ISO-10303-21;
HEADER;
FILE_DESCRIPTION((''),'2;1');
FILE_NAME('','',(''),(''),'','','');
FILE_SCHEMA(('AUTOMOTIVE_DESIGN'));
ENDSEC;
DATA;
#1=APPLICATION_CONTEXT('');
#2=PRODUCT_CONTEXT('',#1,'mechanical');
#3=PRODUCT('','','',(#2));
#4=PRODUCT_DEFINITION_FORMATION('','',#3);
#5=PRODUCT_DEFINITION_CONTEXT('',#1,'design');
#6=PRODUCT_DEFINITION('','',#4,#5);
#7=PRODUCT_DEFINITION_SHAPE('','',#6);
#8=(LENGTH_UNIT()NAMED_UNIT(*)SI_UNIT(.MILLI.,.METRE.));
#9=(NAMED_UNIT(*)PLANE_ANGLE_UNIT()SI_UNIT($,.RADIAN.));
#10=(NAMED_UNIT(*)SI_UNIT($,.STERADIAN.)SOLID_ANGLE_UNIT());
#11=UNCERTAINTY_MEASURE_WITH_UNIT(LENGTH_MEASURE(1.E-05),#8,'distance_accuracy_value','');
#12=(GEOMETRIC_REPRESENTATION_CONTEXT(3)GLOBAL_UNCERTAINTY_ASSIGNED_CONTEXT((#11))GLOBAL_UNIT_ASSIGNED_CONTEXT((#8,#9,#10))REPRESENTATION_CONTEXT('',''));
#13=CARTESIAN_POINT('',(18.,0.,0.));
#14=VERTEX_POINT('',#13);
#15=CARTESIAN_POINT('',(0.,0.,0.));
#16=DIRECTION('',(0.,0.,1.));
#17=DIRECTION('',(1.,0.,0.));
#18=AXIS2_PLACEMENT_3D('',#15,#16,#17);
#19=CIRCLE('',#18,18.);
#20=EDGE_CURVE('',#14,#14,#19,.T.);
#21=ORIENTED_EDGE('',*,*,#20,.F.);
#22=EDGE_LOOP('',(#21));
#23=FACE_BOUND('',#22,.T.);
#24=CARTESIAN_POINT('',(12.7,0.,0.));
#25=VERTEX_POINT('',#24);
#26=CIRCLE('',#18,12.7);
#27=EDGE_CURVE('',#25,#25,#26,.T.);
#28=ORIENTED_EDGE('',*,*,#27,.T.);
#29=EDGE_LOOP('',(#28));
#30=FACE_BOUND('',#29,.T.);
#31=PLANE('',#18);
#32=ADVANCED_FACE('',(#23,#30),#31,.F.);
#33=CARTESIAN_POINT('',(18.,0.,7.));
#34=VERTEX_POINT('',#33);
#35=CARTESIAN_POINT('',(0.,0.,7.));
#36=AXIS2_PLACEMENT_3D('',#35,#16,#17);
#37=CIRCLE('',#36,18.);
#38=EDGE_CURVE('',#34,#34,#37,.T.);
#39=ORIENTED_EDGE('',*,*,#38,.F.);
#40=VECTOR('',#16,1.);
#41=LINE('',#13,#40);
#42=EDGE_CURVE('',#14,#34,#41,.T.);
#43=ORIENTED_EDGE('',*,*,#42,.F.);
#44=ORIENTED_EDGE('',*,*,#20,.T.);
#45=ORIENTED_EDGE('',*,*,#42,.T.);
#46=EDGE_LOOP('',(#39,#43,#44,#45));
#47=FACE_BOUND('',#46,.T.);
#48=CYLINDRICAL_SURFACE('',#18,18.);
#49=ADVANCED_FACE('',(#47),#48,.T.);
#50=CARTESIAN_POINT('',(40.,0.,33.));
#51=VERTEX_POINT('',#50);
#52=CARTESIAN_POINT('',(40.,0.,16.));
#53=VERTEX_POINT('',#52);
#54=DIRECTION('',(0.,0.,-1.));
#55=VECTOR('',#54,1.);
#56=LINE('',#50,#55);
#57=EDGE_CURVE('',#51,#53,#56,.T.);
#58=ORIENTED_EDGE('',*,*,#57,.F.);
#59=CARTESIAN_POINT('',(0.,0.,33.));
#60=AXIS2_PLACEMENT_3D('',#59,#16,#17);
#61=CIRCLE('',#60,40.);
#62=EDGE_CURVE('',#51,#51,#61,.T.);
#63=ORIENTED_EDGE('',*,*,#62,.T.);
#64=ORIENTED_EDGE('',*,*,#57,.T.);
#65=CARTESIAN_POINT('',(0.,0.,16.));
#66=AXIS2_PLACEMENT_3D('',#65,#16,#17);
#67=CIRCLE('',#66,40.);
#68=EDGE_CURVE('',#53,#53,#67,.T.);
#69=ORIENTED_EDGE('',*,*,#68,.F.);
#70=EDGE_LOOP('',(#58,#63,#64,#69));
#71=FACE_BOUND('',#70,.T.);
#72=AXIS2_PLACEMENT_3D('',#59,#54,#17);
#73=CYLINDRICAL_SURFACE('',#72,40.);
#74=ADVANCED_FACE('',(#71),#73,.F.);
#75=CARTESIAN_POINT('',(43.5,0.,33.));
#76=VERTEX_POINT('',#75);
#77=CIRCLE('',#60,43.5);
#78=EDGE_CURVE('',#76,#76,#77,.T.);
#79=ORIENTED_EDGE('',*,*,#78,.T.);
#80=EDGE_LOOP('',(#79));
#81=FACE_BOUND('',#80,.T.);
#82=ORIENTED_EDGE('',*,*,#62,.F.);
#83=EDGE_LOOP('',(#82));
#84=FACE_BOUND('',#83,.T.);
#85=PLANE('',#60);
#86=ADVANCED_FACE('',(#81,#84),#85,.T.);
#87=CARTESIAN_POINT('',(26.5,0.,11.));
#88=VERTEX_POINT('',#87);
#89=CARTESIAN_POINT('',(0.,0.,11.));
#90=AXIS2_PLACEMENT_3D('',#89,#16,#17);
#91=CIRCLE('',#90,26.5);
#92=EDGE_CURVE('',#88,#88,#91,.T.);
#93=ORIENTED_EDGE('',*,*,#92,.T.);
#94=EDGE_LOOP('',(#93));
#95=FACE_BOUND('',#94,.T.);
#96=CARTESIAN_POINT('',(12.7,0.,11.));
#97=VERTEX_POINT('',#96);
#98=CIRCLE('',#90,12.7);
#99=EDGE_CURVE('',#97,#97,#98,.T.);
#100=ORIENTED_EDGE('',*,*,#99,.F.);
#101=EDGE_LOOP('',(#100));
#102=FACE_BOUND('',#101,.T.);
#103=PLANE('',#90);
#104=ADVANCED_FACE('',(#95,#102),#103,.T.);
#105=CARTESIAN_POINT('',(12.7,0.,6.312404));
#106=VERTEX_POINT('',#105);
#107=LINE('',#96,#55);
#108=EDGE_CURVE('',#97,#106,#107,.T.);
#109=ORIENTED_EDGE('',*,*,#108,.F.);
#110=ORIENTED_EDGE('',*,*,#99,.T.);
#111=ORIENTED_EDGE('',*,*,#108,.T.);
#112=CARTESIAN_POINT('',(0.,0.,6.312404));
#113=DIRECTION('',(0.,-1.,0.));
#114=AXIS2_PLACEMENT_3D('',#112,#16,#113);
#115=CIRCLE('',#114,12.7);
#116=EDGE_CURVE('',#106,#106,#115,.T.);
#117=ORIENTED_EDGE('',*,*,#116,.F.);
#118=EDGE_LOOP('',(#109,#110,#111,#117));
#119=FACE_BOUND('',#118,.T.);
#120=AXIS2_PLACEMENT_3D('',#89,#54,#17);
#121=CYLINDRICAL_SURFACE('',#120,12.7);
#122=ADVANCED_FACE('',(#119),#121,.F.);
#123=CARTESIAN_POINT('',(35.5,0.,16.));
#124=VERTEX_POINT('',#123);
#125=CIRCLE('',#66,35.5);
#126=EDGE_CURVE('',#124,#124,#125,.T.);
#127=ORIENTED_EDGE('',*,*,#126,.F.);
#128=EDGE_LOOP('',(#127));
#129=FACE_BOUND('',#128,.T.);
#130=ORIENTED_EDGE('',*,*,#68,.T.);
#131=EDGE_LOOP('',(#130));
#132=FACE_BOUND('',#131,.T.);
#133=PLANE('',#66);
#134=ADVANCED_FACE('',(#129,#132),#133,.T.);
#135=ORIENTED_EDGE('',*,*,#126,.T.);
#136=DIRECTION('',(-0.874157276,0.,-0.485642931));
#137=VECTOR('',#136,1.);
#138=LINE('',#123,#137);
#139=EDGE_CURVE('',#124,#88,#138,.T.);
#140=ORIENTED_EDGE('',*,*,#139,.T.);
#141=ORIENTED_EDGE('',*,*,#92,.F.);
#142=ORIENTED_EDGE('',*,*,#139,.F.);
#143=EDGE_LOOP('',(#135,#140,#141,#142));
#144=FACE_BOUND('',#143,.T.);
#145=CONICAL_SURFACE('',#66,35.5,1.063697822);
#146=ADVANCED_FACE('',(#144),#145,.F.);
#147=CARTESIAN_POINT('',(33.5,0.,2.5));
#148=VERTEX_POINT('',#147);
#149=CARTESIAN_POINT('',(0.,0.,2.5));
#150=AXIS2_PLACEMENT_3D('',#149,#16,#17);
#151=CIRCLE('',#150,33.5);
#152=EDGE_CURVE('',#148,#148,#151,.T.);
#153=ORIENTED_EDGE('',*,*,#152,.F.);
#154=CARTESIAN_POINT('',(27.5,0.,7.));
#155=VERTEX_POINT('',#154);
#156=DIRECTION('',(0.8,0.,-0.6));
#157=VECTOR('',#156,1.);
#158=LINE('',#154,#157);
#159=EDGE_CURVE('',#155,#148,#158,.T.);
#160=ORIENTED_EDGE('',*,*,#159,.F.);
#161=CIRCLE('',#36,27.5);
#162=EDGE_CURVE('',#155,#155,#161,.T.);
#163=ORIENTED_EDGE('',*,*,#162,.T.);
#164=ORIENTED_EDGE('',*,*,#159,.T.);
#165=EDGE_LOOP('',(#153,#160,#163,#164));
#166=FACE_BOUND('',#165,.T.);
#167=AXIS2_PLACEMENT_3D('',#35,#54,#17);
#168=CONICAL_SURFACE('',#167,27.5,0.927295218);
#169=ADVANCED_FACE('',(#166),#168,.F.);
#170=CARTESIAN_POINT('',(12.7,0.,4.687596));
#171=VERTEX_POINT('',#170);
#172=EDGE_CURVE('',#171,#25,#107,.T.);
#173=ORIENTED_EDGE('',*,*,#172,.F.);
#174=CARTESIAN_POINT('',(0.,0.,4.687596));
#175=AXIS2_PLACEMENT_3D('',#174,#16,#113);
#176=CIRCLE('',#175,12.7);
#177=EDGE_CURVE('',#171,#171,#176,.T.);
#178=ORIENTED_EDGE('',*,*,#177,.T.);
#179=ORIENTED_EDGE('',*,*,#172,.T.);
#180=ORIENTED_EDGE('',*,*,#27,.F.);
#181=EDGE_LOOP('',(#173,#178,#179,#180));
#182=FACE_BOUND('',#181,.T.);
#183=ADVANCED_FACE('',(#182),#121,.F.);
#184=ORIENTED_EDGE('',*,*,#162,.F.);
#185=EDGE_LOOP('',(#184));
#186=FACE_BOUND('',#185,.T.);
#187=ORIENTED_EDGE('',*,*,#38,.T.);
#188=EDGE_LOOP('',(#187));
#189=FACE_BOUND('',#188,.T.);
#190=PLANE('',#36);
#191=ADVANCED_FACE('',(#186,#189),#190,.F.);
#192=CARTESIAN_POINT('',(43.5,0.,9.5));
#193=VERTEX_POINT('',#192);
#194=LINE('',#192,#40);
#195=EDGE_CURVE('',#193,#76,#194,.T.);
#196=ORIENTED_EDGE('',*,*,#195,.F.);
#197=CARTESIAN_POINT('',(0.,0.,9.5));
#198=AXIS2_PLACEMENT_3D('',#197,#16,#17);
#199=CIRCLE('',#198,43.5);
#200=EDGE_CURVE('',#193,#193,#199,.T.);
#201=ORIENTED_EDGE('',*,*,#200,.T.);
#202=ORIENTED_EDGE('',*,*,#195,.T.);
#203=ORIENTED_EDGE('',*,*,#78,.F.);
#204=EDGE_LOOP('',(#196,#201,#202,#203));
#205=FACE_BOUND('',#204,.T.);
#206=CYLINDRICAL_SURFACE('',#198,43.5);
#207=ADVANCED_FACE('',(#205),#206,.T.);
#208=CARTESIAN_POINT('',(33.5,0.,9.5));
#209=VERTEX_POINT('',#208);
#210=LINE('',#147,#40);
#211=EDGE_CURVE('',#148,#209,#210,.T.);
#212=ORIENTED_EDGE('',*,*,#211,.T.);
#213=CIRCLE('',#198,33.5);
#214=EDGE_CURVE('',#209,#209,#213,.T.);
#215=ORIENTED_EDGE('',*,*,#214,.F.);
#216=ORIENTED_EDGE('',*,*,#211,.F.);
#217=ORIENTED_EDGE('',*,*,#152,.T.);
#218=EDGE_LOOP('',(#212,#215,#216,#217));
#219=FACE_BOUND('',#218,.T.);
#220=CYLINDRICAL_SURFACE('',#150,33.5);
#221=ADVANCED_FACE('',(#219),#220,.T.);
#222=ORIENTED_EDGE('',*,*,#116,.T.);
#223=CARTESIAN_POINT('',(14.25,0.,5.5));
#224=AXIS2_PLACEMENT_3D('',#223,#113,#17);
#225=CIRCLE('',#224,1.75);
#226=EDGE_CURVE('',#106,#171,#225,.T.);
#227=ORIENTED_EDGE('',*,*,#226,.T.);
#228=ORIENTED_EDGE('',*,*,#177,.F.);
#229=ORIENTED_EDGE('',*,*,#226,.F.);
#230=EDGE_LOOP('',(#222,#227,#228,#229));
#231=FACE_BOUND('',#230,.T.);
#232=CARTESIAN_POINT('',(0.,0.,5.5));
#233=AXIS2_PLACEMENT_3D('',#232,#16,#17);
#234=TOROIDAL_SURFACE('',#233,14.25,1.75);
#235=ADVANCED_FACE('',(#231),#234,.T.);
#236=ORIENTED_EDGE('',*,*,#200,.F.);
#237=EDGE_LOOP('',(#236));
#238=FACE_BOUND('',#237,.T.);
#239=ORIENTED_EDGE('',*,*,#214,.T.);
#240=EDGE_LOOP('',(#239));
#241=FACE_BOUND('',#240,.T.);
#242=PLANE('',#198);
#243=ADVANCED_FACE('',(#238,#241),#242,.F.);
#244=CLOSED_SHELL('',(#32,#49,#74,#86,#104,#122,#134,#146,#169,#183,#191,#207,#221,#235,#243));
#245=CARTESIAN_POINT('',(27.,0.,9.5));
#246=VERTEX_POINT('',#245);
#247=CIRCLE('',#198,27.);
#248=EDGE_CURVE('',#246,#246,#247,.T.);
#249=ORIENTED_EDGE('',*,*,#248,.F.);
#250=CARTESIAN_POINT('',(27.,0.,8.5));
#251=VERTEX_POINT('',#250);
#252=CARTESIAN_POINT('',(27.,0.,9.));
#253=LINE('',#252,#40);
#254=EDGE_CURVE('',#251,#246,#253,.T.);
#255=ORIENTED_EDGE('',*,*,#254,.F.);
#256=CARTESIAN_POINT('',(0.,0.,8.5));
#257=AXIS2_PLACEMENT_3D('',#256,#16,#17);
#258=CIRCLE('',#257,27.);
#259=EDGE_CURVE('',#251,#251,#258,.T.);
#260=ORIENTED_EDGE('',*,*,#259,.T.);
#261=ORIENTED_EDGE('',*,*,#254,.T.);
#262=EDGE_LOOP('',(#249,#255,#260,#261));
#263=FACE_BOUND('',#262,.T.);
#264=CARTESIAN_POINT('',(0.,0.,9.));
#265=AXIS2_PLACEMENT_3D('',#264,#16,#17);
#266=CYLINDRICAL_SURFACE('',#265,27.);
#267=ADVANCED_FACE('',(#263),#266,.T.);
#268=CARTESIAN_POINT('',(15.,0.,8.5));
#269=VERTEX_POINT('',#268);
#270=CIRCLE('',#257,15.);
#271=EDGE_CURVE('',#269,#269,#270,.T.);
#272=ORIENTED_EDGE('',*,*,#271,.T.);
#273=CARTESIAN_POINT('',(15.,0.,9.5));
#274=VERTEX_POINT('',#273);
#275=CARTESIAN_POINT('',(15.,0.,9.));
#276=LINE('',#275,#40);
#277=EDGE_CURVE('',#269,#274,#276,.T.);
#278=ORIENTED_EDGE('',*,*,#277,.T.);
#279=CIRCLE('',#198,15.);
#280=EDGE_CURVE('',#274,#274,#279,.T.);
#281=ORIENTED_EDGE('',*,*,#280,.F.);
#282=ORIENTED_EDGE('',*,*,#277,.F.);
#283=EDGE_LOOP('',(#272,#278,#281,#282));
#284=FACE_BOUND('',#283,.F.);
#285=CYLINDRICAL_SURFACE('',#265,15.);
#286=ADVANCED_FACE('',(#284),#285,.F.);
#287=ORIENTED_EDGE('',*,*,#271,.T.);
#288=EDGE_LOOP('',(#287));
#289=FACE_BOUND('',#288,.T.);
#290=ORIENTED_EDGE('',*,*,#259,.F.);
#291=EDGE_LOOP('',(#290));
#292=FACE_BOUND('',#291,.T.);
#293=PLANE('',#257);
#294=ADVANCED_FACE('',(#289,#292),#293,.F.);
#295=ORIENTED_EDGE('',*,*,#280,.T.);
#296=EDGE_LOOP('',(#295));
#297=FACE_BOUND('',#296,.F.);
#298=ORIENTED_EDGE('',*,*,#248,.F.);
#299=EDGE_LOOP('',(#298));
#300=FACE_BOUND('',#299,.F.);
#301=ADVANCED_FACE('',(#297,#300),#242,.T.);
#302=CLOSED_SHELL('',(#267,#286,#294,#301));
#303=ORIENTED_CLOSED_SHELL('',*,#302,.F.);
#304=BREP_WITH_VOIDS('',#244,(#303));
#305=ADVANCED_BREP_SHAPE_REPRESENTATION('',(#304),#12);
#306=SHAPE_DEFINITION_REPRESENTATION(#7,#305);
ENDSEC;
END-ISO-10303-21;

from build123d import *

# Parameters (mm, degrees)
SKETCH001_R = 1.75
SKETCH002_W = 12
SKETCH002_H = 1


with BuildPart() as part:
    # Sketch (on XZ_Plane of Origin) → Revolution (revolve)
    with BuildSketch(Plane.XZ):
        Polygon((12.7, 0), (18, 0), (18, 7), (27.5, 7), (33.5, 2.5), (33.5, 9.5), (43.5, 9.5), (43.5, 33), (40, 33), (40, 16), (35.5, 16), (26.5, 11), (12.7, 11), align=None)
    revolve(axis=Axis((0, 0, 0), (0, 0, 1)))

    # Sketch001 (on XZ_Plane of Origin) → Revolution001 (revolve)
    with BuildSketch(Plane.XZ):
        with Locations((14.25, 5.5)):
            Circle(SKETCH001_R)
    revolve(axis=Axis((0, 0, 0), (0, 0, 1)))

    # Sketch002 (on XZ_Plane of Origin) → Groove (revolve, cut)
    with BuildSketch(Plane.XZ):
        with Locations((21, 9)):
            Rectangle(SKETCH002_W, SKETCH002_H)
    revolve(axis=Axis((0, 0, 0), (0, 0, 1)), mode=Mode.SUBTRACT)


solid = part.part
